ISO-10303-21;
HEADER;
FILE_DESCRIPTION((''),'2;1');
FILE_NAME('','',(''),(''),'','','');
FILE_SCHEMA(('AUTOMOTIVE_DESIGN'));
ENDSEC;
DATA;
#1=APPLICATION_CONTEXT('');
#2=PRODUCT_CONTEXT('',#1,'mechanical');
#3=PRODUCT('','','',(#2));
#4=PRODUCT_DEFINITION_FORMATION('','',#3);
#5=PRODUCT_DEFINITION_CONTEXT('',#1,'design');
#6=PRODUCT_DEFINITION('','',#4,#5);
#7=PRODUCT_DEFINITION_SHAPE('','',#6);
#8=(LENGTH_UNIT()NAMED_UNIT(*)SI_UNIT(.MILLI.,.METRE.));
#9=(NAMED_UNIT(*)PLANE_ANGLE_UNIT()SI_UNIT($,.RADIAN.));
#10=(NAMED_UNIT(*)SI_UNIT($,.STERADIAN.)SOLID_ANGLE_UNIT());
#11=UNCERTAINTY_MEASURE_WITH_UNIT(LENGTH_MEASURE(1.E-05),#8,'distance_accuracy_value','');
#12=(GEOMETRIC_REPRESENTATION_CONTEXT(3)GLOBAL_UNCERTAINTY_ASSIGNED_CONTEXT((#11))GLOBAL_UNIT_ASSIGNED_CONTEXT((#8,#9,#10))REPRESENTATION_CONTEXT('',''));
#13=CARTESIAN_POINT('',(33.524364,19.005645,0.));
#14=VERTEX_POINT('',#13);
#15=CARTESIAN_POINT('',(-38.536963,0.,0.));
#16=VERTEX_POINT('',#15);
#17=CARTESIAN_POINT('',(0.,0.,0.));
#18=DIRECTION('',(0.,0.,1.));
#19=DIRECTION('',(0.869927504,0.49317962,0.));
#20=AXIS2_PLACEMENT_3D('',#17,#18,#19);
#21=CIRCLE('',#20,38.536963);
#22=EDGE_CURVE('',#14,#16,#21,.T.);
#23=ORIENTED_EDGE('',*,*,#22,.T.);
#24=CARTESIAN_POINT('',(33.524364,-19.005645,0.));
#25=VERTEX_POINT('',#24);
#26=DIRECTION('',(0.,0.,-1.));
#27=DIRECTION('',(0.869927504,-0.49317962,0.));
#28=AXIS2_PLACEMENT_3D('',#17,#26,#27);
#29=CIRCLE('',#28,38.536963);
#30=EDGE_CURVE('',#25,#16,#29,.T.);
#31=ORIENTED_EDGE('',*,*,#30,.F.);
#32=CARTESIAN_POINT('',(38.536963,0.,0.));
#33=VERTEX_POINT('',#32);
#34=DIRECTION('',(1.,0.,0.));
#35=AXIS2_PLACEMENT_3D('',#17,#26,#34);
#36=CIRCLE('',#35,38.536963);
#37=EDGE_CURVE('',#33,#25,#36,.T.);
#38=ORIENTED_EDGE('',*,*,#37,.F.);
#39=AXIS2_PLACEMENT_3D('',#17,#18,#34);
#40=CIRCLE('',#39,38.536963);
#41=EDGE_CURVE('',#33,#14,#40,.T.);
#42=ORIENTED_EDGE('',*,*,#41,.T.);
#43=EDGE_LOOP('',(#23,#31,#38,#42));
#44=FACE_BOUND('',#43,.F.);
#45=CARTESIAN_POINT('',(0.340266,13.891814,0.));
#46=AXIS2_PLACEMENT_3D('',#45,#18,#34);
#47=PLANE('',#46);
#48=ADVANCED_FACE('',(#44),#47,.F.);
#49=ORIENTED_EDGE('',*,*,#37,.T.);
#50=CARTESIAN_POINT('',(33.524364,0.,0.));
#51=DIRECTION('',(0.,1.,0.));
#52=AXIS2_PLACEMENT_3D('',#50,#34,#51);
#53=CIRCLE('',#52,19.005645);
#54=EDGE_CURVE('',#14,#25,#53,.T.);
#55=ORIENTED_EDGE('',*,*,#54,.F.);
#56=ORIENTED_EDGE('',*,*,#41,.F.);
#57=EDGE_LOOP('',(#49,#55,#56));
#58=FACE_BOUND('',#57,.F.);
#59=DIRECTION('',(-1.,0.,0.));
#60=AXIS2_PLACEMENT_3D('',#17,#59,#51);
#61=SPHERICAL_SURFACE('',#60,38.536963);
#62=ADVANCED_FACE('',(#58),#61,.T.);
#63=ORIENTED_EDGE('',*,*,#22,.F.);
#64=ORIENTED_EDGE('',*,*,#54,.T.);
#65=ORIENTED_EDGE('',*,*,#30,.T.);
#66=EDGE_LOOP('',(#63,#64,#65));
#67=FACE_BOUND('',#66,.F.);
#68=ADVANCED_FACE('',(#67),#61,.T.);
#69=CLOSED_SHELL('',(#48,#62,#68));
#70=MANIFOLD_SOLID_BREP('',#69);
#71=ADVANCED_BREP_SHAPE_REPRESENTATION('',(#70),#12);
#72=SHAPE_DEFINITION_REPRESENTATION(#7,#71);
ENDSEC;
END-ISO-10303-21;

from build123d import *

# Parameters (mm, degrees)
F1_ANGLE_BACK = 90
F1_ANGLE      = 180


with BuildPart() as f1:
    # F0 (on Front) → F1 (revolve)
    with BuildSketch(Plane.XZ, mode=Mode.PRIVATE) as f1_sk:
        with BuildLine():
            Line((0, 0), (38.5369628086, 0))
            ThreePointArc((38.5369628086, 0), (37.2627472569, 9.8277754035), (33.5243638728, 19.0056446729))
            ThreePointArc((33.5243638728, 19.0056446729), (-9.8277754035, 37.2627472569), (-38.5369628086, 0))
            Line((-38.5369628086, 0), (0, 0))
        make_face()
    revolve(f1_sk.sketch.rotate(Axis((19.2684814043, 0, 0), (1, 0, 0)), -F1_ANGLE_BACK), axis=Axis((19.2684814043, 0, 0), (1, 0, 0)), revolution_arc=F1_ANGLE)


solid = f1.part
